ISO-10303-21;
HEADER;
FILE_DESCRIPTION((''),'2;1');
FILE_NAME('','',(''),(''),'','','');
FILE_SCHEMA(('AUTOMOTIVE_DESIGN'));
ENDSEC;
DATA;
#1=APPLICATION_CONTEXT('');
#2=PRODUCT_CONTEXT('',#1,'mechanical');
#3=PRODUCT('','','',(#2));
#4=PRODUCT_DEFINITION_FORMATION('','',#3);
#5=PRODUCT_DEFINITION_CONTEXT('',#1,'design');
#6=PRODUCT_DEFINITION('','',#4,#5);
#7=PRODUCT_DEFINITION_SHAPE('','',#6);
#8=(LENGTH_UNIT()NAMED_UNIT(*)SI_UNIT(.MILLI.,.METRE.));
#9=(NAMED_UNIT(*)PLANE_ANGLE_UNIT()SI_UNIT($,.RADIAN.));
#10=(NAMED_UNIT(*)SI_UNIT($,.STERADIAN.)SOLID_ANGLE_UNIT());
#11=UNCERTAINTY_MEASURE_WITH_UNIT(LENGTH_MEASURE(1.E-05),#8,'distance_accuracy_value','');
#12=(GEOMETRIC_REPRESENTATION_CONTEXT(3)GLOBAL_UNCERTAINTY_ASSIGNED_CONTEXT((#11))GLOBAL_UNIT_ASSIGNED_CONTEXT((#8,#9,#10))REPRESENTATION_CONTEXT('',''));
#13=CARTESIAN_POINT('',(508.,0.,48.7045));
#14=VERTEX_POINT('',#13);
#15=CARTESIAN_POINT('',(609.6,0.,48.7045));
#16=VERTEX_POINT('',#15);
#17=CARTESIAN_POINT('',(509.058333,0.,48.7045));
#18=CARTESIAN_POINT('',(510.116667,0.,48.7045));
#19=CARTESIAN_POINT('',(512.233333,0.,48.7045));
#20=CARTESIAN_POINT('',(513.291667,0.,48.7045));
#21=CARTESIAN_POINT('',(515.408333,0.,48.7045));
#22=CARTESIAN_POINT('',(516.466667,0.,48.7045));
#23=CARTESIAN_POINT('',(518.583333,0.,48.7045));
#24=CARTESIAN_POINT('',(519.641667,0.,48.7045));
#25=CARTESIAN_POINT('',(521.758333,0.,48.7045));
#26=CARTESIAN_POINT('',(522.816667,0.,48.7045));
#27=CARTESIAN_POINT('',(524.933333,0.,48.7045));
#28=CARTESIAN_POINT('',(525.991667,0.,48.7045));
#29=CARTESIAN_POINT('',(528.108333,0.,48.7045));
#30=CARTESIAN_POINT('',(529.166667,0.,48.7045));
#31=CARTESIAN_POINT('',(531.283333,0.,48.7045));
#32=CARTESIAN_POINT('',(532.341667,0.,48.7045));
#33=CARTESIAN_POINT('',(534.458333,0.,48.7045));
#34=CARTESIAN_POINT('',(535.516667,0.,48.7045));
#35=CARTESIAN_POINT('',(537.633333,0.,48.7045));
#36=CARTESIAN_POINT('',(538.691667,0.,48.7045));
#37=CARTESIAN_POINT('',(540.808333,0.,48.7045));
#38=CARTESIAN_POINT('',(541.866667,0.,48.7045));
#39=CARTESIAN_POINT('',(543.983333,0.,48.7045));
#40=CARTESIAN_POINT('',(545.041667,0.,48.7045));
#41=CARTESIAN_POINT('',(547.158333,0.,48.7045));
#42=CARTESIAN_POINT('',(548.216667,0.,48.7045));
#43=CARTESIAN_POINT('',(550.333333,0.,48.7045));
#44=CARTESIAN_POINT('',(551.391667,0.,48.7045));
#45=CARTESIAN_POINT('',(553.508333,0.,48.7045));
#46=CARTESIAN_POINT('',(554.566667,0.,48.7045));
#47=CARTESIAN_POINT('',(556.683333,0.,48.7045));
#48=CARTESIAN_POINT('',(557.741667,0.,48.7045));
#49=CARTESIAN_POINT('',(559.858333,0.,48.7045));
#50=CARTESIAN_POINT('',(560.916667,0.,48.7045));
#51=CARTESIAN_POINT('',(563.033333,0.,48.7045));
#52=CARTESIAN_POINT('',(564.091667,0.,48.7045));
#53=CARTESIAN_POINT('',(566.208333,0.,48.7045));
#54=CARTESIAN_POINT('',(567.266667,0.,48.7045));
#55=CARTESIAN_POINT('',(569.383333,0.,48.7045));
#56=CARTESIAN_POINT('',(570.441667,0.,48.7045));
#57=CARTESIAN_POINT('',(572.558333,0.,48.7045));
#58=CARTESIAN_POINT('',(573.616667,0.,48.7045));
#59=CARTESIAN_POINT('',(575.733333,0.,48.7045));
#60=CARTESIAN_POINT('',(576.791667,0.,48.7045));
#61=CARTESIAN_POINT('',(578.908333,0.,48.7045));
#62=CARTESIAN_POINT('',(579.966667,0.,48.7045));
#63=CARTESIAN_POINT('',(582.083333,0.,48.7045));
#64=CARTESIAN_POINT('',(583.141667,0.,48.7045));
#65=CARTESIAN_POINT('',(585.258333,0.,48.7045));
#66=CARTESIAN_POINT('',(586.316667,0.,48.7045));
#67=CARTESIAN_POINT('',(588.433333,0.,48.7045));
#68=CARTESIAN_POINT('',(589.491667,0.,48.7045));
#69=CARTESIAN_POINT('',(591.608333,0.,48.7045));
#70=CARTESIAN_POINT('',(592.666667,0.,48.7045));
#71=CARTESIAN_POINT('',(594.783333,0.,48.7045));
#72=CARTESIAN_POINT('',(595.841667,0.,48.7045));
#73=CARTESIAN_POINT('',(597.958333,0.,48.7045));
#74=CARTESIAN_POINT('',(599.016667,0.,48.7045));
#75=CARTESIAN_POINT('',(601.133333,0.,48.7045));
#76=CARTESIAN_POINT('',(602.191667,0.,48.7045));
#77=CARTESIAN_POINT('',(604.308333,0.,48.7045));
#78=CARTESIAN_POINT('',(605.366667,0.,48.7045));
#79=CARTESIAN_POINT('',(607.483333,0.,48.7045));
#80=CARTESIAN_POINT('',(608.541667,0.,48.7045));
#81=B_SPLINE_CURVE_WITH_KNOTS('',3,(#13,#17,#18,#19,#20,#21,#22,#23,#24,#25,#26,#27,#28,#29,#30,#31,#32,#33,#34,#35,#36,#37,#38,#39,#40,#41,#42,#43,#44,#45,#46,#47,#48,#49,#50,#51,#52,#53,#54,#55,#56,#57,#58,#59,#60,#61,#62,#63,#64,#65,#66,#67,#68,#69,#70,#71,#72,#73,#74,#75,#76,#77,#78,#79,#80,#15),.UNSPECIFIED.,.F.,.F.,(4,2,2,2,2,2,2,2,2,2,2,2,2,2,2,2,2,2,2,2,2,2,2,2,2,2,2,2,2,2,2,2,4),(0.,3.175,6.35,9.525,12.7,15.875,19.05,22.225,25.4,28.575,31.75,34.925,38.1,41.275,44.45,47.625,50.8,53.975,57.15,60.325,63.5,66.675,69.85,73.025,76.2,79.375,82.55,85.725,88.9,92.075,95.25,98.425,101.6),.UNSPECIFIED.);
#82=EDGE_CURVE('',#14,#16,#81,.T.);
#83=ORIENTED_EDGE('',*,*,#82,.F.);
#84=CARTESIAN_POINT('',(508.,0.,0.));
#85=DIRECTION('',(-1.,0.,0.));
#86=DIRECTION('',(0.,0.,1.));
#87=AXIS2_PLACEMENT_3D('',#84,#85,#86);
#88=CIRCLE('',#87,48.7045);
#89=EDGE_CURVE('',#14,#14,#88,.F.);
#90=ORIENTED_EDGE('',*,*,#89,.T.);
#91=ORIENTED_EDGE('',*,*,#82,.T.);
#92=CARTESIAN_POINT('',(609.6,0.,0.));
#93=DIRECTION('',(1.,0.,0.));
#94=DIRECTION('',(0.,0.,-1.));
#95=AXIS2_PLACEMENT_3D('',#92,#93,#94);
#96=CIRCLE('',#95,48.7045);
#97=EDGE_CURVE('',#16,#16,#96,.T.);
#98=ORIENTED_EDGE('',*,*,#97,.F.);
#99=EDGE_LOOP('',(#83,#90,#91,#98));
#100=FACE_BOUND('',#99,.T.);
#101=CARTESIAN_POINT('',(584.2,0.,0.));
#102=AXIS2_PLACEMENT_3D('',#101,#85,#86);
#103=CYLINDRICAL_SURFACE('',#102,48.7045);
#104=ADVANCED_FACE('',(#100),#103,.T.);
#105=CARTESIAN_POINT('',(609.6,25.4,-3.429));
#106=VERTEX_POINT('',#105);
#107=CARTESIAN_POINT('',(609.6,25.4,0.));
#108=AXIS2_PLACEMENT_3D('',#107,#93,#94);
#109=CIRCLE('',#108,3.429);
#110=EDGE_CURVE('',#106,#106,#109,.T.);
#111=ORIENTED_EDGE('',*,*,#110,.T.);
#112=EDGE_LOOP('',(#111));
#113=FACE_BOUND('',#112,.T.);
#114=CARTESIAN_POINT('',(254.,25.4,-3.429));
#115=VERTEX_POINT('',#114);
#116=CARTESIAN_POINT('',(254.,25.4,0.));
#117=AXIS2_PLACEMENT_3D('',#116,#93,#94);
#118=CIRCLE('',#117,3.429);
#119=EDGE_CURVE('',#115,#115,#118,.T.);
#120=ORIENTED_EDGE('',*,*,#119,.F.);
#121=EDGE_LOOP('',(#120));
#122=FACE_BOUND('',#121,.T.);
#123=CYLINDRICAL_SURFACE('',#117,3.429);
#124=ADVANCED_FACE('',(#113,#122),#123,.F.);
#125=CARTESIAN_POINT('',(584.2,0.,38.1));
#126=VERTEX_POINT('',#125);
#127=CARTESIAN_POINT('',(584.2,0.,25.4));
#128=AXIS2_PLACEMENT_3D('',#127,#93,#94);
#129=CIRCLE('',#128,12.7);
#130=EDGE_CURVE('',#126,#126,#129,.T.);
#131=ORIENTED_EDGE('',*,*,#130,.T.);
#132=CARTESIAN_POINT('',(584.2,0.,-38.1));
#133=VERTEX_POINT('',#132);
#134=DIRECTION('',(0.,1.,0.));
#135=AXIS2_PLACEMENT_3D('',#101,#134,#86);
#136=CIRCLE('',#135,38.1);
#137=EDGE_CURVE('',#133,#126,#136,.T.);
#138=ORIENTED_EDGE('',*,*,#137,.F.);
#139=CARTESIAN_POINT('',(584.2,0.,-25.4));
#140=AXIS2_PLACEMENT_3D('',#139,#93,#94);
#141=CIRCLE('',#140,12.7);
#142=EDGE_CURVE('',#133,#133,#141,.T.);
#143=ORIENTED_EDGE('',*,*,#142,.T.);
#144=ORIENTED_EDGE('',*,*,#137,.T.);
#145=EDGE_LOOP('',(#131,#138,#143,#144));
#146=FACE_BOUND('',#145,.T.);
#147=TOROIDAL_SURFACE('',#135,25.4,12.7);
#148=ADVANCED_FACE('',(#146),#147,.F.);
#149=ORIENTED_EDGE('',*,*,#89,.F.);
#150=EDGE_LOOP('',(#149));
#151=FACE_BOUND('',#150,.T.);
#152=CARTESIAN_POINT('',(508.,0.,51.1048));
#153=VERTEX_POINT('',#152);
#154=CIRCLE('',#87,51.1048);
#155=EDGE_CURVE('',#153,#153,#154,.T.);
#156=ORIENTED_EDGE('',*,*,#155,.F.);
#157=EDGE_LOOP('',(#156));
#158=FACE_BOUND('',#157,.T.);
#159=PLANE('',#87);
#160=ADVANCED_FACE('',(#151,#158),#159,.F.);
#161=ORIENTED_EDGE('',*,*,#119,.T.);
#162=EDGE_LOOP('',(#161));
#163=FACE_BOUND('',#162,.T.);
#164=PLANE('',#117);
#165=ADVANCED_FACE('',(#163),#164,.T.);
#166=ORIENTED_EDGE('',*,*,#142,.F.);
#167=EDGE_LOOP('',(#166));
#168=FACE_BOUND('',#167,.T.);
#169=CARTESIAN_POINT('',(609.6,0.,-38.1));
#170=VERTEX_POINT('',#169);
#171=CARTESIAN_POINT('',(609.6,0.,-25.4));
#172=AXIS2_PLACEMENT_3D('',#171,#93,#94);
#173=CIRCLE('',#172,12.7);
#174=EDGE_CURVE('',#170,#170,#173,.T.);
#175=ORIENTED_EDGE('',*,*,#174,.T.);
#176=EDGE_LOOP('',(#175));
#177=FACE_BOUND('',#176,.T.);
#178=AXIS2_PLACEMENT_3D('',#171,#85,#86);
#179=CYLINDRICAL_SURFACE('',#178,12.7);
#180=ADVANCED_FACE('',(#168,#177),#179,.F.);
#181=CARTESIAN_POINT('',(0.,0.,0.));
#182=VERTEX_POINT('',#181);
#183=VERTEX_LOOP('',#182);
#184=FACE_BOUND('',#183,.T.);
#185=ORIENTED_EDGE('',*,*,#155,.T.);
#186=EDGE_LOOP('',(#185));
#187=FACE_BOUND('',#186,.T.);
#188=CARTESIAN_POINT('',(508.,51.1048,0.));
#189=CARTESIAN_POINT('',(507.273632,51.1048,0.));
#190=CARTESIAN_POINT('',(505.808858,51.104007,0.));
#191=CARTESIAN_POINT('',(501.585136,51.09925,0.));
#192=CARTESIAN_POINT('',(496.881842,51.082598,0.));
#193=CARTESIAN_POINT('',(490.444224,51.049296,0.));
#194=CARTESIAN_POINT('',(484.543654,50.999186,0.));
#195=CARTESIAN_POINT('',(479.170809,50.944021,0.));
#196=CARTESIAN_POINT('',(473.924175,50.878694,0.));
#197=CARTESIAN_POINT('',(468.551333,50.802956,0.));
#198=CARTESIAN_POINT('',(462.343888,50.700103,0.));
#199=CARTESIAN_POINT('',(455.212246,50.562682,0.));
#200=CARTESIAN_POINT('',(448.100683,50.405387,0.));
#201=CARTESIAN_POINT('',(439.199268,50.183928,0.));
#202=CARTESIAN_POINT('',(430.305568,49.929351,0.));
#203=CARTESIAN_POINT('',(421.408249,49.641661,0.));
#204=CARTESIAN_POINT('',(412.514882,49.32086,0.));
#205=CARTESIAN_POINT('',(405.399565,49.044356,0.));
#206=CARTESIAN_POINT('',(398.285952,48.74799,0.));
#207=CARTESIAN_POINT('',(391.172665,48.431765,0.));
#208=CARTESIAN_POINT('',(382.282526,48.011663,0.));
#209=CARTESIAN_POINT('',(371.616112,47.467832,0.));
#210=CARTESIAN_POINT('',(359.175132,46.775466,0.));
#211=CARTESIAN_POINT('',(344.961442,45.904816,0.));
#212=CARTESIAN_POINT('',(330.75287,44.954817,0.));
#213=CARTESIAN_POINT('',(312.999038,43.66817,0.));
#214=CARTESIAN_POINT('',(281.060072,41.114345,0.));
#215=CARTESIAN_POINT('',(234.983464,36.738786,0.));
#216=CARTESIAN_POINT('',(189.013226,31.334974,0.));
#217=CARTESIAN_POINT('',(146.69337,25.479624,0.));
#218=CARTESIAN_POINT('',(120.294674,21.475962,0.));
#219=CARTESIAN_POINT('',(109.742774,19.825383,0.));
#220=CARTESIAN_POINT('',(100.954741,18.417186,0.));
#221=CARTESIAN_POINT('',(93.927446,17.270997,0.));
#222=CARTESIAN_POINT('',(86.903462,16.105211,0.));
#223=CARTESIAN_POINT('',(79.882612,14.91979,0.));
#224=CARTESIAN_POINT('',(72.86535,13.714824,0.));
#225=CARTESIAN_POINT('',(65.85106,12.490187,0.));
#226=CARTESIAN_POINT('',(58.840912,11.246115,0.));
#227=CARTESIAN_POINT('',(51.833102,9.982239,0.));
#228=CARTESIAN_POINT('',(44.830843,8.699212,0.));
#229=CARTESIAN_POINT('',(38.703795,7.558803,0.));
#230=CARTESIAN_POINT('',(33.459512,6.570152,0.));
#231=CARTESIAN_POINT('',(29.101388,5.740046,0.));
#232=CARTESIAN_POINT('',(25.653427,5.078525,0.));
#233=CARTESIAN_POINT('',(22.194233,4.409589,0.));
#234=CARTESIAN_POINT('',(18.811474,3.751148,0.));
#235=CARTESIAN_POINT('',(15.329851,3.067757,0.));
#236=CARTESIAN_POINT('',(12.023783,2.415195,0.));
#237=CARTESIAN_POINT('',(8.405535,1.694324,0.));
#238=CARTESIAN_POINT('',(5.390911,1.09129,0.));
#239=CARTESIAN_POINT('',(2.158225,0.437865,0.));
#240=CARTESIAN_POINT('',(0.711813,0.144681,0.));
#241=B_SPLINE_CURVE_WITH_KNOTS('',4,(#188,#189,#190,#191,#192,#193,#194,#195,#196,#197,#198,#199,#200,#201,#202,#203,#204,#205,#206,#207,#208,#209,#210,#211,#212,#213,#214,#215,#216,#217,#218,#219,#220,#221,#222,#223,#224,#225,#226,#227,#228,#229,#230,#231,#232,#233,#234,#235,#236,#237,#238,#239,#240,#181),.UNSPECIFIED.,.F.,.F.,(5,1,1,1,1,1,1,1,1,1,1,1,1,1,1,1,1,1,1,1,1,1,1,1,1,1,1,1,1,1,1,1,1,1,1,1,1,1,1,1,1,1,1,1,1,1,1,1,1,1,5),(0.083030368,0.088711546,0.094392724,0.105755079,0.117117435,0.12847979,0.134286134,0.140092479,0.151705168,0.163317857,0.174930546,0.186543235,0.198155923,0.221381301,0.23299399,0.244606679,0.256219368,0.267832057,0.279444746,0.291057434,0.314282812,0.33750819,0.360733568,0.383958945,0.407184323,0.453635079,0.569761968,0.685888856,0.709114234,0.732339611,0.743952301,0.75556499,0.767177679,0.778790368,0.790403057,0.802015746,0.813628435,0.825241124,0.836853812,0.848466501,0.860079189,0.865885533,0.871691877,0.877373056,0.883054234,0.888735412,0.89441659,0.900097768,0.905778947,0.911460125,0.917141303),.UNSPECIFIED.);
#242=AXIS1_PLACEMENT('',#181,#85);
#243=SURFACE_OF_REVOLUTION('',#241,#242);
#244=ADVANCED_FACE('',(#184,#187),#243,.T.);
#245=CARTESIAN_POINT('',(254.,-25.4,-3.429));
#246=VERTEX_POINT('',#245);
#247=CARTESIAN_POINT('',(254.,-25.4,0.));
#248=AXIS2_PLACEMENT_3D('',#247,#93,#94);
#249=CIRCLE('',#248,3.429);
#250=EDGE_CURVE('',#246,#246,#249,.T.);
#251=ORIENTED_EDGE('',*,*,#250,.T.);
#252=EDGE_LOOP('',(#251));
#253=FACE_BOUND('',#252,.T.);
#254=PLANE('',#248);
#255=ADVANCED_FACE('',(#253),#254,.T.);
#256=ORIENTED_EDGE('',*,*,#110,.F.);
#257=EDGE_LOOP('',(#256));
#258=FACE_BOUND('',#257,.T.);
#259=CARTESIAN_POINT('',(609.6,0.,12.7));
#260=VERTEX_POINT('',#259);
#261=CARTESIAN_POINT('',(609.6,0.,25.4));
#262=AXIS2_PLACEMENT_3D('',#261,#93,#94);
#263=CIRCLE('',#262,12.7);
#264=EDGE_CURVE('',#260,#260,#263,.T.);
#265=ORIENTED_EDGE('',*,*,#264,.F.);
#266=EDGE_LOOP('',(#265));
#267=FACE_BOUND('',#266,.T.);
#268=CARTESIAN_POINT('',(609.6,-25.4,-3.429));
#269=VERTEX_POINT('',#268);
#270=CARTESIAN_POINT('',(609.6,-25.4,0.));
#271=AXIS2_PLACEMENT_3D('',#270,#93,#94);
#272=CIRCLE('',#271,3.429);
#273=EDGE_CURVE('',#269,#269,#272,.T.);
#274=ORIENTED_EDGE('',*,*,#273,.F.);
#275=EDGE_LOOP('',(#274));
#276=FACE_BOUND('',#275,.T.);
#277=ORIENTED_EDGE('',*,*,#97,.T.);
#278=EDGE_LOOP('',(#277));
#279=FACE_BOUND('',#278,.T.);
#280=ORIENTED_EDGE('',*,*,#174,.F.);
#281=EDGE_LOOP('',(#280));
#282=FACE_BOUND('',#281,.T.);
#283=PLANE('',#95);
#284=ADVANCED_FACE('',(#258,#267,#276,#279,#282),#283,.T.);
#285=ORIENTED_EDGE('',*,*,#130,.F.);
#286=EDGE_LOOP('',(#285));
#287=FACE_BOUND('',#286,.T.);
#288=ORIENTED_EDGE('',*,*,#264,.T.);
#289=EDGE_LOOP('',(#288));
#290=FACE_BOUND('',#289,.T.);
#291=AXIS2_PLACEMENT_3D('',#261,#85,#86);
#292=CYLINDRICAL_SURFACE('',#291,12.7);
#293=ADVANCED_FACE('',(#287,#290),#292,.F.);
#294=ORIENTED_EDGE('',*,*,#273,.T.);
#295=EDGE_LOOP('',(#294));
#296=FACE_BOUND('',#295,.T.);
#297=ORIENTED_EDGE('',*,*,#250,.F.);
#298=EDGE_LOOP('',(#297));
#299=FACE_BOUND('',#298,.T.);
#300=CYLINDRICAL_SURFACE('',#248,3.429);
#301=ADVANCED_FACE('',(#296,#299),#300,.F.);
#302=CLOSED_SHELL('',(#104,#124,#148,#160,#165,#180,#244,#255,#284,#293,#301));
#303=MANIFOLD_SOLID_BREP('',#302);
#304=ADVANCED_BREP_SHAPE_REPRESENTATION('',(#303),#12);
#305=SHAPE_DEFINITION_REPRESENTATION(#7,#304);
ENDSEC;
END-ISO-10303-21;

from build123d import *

# Parameters (mm, degrees)
SKETCH3_R           = 48.7045
BOSS_EXTRUDE1_DEPTH = 76.2
SKETCH4_R           = 12.7
SKETCH5_R           = 48.7045
SKETCH5_R_2         = 12.7
BOSS_EXTRUDE2_DEPTH = 25.4
SKETCH6_R           = 3.429
CUT_EXTRUDE1_DEPTH  = 355.6


with BuildPart() as part:
    # Sketch2 → Revolve1 (revolve)
    with BuildSketch(Plane.XY):
        with BuildLine():
            Line((-1e-09, 0), (508, 0))
            Line((508, 0), (508, 51.1048))
            add(Edge.make_bspline(
                [(-1e-09, 0), (0.711812873, 0.144680974), (2.158225426, 0.437865374), (5.390910998, 1.091290389), (8.4055347, 1.694324361), (12.023782781, 2.415194505), (15.32985135, 3.067757265), (18.81147443, 3.751148051), (22.194233026, 4.409589314), (25.653426609, 5.078524787), (29.101387687, 5.740045977), (33.459511631, 6.570152036), (38.703794572, 7.558802799), (44.830842505, 8.699211823), (51.833102117, 9.982239097), (58.840911875, 11.246114682), (65.851059887, 12.490186989), (72.865349703, 13.714824009), (79.882611918, 14.919789625), (86.903462237, 16.105210706), (93.927446457, 17.270996817), (100.95474067, 18.417185788), (109.742774093, 19.825383246), (120.294674252, 21.475961868), (146.693369586, 25.479624229), (189.013226456, 31.334973644), (234.983464044, 36.738785793), (281.060072425, 41.114345359), (312.999037596, 43.668169814), (330.752870377, 44.954816779), (344.961441701, 45.904815612), (359.175131847, 46.775466104), (371.61611191, 47.467831729), (382.282525687, 48.011662883), (391.172664946, 48.431765176), (398.285951755, 48.747990192), (405.399564609, 49.044355925), (412.514881745, 49.320860063), (421.408249235, 49.641660547), (430.30556766, 49.929351449), (439.199267742, 50.183928153), (448.100682593, 50.405386823), (455.212245734, 50.562681557), (462.343887521, 50.700102863), (468.551333113, 50.80295632), (473.924175337, 50.878694291), (479.17080941, 50.944021455), (484.543653599, 50.999186043), (490.444224468, 51.049296261), (496.881841793, 51.082598465), (501.585135763, 51.099249612), (505.808857653, 51.104007087), (507.273632283, 51.1048), (508, 51.1048)],
                knots=[0.083030368, 0.083030368, 0.083030368, 0.083030368, 0.083030368, 0.088711546, 0.094392725, 0.100073903, 0.105755081, 0.111436259, 0.117117438, 0.122798616, 0.128479794, 0.134286138, 0.140092482, 0.151705171, 0.163317859, 0.174930547, 0.186543236, 0.198155925, 0.209768614, 0.221381304, 0.232993993, 0.244606682, 0.256219371, 0.26783206, 0.291057438, 0.314282816, 0.430409703, 0.546536592, 0.592987348, 0.616212726, 0.639438104, 0.662663482, 0.685888859, 0.709114237, 0.720726926, 0.732339615, 0.743952304, 0.755564993, 0.767177681, 0.77879037, 0.802015748, 0.813628437, 0.825241126, 0.836853815, 0.848466503, 0.860079192, 0.865885537, 0.871691881, 0.883054237, 0.894416592, 0.905778948, 0.911460125, 0.917141303, 0.917141303, 0.917141303, 0.917141303, 0.917141303], degree=4))
        make_face()
    revolve(axis=Axis((-1e-09, 0, 0), (1, 0, 0)))

    # Sketch3 → Boss-Extrude1 (add)
    with BuildSketch(Plane(origin=(508, 0, 0), x_dir=(0, 0, -1), z_dir=(1, 0, 0))):
        with Locations(Location((0, 0, 0), (0, 0, 180))):
            Circle(SKETCH3_R)
    extrude(amount=BOSS_EXTRUDE1_DEPTH)

    # Sketch4 → Cut-Revolve1 (revolve, cut)
    with BuildSketch(Plane(origin=(584.2, 0, 0), x_dir=(0, 0, -1), z_dir=(1, 0, 0)), mode=Mode.PRIVATE) as cut_revolve1_sk:
        with Locations((-25.4, 0)):
            Circle(SKETCH4_R)
    revolve(cut_revolve1_sk.sketch.rotate(Axis((584.2, 48.7045, 0), (0, -1, 0)), 90), axis=Axis((584.2, 48.7045, 0), (0, -1, 0)), mode=Mode.SUBTRACT)

    # Sketch5 → Boss-Extrude2 (add)
    with BuildSketch(Plane(origin=(584.2, 0, 0), x_dir=(0, 0, -1), z_dir=(1, 0, 0))):
        with Locations(Location((0, 0, 0), (0, 0, 180))):
            Circle(SKETCH5_R)
        with Locations(Location((-25.4, 0, 0), (0, 0, 180))):
            Circle(SKETCH5_R_2, mode=Mode.SUBTRACT)
        with Locations((25.4, 0)):
            Circle(SKETCH5_R_2, mode=Mode.SUBTRACT)
    extrude(amount=BOSS_EXTRUDE2_DEPTH)

    # Sketch6 → Cut-Extrude1 (cut)
    with BuildSketch(Plane(origin=(609.6, 0, 0), x_dir=(0, 0, -1), z_dir=(1, 0, 0))):
        with Locations((0, 25.4)):
            Circle(SKETCH6_R)
        with Locations((0, -25.4)):
            Circle(SKETCH6_R)
    extrude(amount=-CUT_EXTRUDE1_DEPTH, mode=Mode.SUBTRACT)


solid = part.part
